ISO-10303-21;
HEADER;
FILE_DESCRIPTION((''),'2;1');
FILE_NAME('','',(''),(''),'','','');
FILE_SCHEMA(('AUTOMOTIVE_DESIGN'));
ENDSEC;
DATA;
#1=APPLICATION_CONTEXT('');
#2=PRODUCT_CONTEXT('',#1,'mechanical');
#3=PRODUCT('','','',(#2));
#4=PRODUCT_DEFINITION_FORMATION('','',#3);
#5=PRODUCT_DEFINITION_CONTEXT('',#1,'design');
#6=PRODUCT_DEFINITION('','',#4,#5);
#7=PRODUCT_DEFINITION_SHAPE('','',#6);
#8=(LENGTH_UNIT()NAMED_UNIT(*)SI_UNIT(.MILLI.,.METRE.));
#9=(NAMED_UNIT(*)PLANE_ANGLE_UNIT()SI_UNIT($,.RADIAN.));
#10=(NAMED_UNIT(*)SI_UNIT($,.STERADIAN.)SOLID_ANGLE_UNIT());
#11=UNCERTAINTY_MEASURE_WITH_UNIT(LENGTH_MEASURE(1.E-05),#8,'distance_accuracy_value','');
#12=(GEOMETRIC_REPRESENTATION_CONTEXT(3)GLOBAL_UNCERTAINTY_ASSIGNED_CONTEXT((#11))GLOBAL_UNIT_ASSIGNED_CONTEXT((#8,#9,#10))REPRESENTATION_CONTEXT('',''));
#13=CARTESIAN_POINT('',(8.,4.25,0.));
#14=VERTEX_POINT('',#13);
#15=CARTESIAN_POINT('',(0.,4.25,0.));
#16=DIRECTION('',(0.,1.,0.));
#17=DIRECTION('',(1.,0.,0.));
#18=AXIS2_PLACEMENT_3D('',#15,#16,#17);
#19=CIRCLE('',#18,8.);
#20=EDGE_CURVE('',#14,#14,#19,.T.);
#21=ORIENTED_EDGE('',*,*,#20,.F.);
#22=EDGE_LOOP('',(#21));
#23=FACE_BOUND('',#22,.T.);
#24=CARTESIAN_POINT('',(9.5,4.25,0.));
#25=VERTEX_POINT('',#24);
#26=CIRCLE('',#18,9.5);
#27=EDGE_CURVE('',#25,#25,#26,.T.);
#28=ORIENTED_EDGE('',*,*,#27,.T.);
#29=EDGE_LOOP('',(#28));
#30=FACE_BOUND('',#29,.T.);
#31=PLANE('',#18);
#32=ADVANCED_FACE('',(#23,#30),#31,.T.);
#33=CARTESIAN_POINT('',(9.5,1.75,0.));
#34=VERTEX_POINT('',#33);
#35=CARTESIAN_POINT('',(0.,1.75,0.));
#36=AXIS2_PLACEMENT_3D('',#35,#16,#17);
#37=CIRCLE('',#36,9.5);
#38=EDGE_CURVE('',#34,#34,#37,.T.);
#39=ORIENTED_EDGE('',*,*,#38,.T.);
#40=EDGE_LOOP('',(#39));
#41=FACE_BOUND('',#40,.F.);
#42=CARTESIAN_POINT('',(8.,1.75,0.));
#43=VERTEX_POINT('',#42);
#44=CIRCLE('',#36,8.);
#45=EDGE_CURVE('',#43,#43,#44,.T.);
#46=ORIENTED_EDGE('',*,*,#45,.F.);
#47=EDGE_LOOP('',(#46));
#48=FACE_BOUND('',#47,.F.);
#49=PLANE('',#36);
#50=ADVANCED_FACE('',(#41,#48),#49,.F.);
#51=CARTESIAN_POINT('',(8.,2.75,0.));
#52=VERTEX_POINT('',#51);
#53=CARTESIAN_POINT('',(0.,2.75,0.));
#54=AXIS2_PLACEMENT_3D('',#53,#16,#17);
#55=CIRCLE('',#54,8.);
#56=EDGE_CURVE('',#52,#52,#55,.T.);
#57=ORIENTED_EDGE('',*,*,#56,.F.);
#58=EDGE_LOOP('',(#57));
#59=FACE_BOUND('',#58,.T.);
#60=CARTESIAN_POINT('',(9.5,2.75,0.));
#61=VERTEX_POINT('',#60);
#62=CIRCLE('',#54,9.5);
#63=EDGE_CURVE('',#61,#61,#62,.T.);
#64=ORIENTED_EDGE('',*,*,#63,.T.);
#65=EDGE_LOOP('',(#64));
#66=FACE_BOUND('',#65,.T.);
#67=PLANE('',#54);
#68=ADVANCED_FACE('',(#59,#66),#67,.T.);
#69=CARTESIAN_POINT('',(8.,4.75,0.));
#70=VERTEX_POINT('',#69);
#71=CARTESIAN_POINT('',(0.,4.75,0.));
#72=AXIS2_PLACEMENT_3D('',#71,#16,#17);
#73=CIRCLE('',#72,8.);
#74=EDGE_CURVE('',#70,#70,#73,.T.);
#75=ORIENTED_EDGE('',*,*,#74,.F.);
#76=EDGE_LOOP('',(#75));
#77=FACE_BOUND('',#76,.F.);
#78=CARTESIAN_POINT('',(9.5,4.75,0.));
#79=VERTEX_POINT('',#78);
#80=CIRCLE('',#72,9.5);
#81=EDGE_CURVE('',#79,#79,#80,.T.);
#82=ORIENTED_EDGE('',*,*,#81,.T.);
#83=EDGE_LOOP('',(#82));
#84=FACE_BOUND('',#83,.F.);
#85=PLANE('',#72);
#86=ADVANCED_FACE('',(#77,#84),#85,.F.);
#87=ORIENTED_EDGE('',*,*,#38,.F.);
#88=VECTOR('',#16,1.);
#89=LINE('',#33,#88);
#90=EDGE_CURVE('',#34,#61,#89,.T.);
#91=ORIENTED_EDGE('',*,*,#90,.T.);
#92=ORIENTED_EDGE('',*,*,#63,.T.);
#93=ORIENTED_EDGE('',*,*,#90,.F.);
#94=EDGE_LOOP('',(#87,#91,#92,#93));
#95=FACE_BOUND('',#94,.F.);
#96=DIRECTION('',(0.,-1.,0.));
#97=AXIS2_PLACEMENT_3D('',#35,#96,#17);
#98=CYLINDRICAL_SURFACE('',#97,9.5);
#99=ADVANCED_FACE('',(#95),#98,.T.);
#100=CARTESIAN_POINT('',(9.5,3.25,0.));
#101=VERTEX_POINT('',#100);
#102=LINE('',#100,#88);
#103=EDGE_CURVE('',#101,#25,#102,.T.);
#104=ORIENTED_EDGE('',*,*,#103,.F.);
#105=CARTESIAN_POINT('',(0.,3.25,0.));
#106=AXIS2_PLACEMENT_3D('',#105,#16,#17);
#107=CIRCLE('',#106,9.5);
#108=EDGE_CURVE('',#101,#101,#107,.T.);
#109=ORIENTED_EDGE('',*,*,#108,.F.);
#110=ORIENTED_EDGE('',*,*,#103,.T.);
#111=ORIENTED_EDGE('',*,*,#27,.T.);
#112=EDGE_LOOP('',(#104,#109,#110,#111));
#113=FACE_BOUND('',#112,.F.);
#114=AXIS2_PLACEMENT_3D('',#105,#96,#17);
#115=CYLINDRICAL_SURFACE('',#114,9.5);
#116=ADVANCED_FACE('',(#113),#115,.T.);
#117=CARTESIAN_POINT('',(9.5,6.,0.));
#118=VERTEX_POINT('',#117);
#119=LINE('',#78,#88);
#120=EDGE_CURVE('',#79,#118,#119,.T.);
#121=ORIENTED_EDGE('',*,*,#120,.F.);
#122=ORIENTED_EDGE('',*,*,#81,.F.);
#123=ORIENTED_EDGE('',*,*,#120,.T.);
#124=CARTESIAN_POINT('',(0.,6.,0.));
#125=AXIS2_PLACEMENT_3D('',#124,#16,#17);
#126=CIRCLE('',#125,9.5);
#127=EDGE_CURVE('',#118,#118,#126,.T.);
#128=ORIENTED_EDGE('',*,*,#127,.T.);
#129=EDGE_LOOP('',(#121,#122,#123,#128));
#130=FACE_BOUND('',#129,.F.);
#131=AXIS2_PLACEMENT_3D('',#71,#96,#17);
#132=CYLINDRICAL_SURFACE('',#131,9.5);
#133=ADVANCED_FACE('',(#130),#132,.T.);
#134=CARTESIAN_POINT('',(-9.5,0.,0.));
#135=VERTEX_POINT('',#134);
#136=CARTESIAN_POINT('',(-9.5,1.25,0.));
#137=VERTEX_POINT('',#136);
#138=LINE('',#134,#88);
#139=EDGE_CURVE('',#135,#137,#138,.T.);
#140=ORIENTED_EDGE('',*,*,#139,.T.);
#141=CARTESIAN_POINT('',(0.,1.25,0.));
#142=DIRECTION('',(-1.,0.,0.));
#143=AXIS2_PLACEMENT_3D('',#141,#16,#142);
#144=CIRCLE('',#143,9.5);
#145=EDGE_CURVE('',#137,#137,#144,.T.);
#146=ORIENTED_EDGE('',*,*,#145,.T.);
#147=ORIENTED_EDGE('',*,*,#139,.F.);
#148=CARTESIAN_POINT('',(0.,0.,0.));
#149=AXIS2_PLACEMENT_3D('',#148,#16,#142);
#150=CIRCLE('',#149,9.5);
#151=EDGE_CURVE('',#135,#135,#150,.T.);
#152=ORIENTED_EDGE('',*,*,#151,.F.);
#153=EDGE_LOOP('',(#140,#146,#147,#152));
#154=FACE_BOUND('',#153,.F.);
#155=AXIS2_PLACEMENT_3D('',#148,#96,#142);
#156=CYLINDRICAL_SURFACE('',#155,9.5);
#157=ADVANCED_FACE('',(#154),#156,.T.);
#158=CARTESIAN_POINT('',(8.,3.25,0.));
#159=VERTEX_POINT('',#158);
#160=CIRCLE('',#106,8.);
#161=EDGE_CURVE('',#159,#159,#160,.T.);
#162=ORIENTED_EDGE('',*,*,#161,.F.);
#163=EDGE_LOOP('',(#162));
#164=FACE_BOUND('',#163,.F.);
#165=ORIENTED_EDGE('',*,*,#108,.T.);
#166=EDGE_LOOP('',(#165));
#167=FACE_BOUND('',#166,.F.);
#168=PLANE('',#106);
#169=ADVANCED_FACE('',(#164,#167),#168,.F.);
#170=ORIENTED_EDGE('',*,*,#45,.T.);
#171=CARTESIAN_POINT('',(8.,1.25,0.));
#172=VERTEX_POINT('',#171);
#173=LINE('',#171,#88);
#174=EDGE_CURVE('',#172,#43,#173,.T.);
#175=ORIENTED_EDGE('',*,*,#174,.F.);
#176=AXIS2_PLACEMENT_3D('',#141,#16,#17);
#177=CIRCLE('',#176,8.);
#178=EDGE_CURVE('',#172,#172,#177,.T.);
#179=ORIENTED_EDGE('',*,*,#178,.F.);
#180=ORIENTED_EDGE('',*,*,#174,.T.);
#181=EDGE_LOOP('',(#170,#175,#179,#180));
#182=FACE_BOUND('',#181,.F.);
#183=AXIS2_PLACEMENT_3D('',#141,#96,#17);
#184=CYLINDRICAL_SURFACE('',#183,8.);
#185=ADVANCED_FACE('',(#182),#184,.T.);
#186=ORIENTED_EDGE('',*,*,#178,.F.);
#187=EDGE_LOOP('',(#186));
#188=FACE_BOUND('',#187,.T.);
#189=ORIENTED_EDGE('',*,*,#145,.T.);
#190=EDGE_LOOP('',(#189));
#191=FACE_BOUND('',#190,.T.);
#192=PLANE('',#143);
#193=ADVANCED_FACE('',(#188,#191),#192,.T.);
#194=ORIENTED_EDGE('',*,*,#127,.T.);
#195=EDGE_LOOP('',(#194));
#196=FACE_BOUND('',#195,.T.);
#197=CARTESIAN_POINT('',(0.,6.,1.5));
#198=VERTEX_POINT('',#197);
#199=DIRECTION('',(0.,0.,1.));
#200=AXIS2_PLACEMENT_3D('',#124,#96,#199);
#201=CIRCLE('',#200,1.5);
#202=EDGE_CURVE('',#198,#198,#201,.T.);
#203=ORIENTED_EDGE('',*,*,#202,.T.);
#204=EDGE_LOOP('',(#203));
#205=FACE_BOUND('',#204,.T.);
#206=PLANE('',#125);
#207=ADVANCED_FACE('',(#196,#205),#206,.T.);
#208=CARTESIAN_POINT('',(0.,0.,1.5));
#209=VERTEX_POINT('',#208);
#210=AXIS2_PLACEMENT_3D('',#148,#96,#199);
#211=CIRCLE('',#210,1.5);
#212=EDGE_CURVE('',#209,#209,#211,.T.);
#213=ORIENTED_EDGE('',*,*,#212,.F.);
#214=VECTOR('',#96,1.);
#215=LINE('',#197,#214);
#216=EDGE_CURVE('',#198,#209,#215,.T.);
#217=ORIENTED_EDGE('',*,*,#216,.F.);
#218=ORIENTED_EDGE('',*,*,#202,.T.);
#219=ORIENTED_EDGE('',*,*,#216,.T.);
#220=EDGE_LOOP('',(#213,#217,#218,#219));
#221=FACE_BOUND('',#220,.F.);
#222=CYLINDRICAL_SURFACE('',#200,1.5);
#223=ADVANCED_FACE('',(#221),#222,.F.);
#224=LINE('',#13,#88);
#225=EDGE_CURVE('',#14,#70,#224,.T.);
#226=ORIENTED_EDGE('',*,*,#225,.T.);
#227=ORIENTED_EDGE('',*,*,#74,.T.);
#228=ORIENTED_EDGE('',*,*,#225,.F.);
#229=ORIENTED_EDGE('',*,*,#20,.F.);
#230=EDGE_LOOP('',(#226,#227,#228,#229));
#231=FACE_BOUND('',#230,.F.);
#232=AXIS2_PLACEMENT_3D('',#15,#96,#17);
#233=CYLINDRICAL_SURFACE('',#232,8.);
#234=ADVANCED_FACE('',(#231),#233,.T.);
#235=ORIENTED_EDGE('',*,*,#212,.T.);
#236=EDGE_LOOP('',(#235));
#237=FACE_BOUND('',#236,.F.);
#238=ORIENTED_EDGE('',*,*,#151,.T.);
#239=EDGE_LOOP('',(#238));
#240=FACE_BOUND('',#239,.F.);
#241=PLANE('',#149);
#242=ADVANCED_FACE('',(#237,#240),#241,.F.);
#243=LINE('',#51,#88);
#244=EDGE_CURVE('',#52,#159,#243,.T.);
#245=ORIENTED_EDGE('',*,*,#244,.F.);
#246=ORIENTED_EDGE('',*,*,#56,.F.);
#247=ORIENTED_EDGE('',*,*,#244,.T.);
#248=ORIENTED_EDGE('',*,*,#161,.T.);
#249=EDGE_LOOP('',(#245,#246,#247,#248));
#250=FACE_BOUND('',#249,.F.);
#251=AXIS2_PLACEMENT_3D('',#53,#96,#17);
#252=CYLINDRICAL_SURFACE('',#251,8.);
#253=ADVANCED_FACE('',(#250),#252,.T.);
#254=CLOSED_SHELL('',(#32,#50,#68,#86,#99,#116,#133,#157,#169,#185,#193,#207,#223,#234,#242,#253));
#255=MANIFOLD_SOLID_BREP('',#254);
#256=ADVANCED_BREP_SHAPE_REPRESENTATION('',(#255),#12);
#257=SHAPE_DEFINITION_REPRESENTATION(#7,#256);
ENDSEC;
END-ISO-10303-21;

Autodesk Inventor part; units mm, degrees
ref_plane "YZ Plane" through (0, 0, 0) normal (1, 0, 0) x (0, 1, 0)
ref_plane "XZ Plane" through (0, 0, 0) normal (0, 1, 0) x (-1, 0, 0)
ref_plane "XY Plane" through (0, 0, 0) normal (0, 0, 1) x (1, 0, 0)
sketch "Sketch1" plane through (0, 0, 0) normal (0, 1, 0) x (-1, 0, 0)
  circle A0 centre (0, 0) radius 9.5
  dimension "d0" = 19
extrude "Extrusion1" add sketch "Sketch1" along normal blind 1.25
sketch "Sketch2" plane through (0, 1.25, 0) normal (0, 1, 0) x (1, 0, 0)
  circle A0 centre (0, 0) radius 8
  dimension "d3" = 16
extrude "Extrusion2" add sketch "Sketch2" along normal blind 0.5
sketch "Sketch3" plane through (0, 1.75, 0) normal (0, 1, 0) x (1, 0, 0)
  circle A0 centre (0, 0) radius 9.5
  dimension "d6" = 19
extrude "Extrusion3" add sketch "Sketch3" along normal blind 1
sketch "Sketch4" plane through (0, 2.75, 0) normal (0, 1, 0) x (1, 0, 0)
  circle A0 centre (0, 0) radius 8
  dimension "d9" = 16
extrude "Extrusion4" add sketch "Sketch4" along normal blind 0.5
sketch "Sketch5" plane through (0, 3.25, 0) normal (0, 1, 0) x (1, 0, 0)
  circle A0 centre (0, 0) radius 9.5
  dimension "d12" = 19
extrude "Extrusion5" add sketch "Sketch5" along normal blind 1
sketch "Sketch6" plane through (0, 4.25, 0) normal (0, 1, 0) x (1, 0, 0)
  circle A0 centre (0, 0) radius 42.9812
  circle A1 centre (0, 0) radius 8
  dimension "d15" = 16
extrude "Extrusion6" add sketch "Sketch6" along normal blind 0.5 contours A1
sketch "Sketch7" plane through (0, 4.75, 0) normal (0, 1, 0) x (1, 0, 0)
  circle A0 centre (0, 0) radius 9.5
  dimension "d18" = 19
extrude "Extrusion7" add sketch "Sketch7" along normal blind 1.25
sketch "Sketch8" plane through (0, 6, 0) normal (0, 1, 0) x (1, 0, 0)
  circle A0 centre (0, 0) radius 1.5
  dimension "d21" = 3
hole "Hole1" at (0, 6, 0) direction (0, -1, 0) diameter 3 end through all
thread "Thread1" size "M3x0.5" class "6H" standard "ANSI Metric M Profile" full length
properties material "Brass, Soft Yellow, Welded"
